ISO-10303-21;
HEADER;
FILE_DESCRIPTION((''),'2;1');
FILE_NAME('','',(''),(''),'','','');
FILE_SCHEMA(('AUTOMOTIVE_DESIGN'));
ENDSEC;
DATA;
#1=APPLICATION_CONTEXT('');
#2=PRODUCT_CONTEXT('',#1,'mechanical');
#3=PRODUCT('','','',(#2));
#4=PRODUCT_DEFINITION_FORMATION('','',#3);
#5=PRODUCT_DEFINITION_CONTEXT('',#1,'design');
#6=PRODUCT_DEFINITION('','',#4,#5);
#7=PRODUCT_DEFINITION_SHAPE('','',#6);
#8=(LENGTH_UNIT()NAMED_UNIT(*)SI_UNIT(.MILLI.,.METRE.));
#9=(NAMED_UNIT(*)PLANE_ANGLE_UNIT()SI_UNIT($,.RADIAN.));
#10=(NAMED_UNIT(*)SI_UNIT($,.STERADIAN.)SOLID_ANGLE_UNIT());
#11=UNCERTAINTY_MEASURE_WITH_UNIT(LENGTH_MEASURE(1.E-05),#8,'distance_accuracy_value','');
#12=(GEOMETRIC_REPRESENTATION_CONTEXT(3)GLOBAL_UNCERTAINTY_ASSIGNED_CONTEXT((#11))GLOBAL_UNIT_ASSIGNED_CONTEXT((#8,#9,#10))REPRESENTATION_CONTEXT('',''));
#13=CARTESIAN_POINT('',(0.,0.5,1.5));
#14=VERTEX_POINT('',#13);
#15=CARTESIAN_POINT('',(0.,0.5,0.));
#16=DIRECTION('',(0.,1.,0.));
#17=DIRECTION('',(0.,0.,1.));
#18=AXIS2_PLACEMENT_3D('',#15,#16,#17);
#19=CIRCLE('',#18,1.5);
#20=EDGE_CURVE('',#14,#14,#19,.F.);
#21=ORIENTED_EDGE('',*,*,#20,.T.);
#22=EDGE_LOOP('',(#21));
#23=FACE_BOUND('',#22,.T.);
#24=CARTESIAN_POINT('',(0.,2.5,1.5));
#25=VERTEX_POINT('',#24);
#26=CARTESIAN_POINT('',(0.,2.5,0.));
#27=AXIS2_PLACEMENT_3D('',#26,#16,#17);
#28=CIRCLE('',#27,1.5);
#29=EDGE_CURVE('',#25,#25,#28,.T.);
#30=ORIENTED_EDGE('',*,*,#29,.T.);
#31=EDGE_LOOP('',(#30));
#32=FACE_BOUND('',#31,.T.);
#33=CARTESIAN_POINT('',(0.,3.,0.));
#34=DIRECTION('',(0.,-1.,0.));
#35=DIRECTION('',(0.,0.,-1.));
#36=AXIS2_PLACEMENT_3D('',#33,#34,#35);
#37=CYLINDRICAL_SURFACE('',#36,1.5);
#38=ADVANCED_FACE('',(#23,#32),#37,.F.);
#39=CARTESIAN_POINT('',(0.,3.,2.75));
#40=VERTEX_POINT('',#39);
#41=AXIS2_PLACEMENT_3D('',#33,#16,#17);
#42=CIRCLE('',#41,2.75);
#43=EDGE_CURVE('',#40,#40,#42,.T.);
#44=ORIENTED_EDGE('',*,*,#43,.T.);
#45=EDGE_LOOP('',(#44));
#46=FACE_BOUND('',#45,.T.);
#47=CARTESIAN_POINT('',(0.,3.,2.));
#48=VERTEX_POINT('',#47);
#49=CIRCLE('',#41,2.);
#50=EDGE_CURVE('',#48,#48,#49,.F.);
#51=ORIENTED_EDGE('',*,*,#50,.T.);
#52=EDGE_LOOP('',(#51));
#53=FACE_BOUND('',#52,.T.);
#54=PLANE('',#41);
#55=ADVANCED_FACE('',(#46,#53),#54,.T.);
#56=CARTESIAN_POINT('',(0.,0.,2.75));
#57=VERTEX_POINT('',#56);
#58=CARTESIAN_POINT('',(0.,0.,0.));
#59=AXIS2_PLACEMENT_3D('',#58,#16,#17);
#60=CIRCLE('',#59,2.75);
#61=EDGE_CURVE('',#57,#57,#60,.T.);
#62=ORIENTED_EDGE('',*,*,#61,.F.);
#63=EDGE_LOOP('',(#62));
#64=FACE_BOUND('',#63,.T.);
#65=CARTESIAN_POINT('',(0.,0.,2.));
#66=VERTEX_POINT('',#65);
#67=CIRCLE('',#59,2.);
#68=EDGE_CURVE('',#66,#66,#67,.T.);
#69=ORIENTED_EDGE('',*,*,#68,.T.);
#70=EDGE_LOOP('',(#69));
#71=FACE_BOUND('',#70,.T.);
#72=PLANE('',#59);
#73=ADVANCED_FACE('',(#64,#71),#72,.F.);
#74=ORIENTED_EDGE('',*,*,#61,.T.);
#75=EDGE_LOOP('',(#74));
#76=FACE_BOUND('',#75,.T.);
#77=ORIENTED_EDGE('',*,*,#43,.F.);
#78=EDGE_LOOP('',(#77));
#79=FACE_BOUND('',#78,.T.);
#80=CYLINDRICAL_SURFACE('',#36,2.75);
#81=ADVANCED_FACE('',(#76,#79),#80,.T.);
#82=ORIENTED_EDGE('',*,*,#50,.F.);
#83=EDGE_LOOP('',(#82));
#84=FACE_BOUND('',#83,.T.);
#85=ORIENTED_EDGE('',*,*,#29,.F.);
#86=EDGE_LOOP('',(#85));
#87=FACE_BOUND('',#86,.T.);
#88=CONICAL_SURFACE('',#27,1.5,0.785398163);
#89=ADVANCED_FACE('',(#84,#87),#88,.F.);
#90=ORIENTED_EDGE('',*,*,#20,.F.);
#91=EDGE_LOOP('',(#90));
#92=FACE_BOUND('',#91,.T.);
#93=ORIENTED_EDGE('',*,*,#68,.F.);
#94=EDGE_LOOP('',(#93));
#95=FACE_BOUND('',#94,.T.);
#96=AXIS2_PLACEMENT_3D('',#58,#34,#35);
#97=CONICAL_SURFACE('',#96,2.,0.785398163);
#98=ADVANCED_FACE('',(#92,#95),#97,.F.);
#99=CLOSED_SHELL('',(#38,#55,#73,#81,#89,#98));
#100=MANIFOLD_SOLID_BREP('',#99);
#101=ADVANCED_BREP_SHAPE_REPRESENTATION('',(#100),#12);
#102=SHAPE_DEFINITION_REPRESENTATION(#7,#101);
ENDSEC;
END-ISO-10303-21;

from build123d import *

# Parameters (mm, degrees)
SKETCH1_R           = 2.75
SKETCH1_R_2         = 1.5
BOSS_EXTRUDE1_DEPTH = 3
CHAMFER1_SIZE       = 0.5


with BuildPart() as part:
    # Sketch1 → Boss-Extrude1 (new body)
    with BuildSketch(Plane(origin=(0, 0, 0), x_dir=(1, 0, 0), z_dir=(0, 1, 0))):
        Circle(SKETCH1_R)
        Circle(SKETCH1_R_2, mode=Mode.SUBTRACT)
    extrude(amount=BOSS_EXTRUDE1_DEPTH)

    # Chamfer1
    chamfer1_edges = [part.edges().sort_by_distance(p)[0] for p in [
        (-1.5, 0, 0),
        (-1.5, 3, 0),
    ]]
    chamfer(chamfer1_edges, length=CHAMFER1_SIZE)


solid = part.part
